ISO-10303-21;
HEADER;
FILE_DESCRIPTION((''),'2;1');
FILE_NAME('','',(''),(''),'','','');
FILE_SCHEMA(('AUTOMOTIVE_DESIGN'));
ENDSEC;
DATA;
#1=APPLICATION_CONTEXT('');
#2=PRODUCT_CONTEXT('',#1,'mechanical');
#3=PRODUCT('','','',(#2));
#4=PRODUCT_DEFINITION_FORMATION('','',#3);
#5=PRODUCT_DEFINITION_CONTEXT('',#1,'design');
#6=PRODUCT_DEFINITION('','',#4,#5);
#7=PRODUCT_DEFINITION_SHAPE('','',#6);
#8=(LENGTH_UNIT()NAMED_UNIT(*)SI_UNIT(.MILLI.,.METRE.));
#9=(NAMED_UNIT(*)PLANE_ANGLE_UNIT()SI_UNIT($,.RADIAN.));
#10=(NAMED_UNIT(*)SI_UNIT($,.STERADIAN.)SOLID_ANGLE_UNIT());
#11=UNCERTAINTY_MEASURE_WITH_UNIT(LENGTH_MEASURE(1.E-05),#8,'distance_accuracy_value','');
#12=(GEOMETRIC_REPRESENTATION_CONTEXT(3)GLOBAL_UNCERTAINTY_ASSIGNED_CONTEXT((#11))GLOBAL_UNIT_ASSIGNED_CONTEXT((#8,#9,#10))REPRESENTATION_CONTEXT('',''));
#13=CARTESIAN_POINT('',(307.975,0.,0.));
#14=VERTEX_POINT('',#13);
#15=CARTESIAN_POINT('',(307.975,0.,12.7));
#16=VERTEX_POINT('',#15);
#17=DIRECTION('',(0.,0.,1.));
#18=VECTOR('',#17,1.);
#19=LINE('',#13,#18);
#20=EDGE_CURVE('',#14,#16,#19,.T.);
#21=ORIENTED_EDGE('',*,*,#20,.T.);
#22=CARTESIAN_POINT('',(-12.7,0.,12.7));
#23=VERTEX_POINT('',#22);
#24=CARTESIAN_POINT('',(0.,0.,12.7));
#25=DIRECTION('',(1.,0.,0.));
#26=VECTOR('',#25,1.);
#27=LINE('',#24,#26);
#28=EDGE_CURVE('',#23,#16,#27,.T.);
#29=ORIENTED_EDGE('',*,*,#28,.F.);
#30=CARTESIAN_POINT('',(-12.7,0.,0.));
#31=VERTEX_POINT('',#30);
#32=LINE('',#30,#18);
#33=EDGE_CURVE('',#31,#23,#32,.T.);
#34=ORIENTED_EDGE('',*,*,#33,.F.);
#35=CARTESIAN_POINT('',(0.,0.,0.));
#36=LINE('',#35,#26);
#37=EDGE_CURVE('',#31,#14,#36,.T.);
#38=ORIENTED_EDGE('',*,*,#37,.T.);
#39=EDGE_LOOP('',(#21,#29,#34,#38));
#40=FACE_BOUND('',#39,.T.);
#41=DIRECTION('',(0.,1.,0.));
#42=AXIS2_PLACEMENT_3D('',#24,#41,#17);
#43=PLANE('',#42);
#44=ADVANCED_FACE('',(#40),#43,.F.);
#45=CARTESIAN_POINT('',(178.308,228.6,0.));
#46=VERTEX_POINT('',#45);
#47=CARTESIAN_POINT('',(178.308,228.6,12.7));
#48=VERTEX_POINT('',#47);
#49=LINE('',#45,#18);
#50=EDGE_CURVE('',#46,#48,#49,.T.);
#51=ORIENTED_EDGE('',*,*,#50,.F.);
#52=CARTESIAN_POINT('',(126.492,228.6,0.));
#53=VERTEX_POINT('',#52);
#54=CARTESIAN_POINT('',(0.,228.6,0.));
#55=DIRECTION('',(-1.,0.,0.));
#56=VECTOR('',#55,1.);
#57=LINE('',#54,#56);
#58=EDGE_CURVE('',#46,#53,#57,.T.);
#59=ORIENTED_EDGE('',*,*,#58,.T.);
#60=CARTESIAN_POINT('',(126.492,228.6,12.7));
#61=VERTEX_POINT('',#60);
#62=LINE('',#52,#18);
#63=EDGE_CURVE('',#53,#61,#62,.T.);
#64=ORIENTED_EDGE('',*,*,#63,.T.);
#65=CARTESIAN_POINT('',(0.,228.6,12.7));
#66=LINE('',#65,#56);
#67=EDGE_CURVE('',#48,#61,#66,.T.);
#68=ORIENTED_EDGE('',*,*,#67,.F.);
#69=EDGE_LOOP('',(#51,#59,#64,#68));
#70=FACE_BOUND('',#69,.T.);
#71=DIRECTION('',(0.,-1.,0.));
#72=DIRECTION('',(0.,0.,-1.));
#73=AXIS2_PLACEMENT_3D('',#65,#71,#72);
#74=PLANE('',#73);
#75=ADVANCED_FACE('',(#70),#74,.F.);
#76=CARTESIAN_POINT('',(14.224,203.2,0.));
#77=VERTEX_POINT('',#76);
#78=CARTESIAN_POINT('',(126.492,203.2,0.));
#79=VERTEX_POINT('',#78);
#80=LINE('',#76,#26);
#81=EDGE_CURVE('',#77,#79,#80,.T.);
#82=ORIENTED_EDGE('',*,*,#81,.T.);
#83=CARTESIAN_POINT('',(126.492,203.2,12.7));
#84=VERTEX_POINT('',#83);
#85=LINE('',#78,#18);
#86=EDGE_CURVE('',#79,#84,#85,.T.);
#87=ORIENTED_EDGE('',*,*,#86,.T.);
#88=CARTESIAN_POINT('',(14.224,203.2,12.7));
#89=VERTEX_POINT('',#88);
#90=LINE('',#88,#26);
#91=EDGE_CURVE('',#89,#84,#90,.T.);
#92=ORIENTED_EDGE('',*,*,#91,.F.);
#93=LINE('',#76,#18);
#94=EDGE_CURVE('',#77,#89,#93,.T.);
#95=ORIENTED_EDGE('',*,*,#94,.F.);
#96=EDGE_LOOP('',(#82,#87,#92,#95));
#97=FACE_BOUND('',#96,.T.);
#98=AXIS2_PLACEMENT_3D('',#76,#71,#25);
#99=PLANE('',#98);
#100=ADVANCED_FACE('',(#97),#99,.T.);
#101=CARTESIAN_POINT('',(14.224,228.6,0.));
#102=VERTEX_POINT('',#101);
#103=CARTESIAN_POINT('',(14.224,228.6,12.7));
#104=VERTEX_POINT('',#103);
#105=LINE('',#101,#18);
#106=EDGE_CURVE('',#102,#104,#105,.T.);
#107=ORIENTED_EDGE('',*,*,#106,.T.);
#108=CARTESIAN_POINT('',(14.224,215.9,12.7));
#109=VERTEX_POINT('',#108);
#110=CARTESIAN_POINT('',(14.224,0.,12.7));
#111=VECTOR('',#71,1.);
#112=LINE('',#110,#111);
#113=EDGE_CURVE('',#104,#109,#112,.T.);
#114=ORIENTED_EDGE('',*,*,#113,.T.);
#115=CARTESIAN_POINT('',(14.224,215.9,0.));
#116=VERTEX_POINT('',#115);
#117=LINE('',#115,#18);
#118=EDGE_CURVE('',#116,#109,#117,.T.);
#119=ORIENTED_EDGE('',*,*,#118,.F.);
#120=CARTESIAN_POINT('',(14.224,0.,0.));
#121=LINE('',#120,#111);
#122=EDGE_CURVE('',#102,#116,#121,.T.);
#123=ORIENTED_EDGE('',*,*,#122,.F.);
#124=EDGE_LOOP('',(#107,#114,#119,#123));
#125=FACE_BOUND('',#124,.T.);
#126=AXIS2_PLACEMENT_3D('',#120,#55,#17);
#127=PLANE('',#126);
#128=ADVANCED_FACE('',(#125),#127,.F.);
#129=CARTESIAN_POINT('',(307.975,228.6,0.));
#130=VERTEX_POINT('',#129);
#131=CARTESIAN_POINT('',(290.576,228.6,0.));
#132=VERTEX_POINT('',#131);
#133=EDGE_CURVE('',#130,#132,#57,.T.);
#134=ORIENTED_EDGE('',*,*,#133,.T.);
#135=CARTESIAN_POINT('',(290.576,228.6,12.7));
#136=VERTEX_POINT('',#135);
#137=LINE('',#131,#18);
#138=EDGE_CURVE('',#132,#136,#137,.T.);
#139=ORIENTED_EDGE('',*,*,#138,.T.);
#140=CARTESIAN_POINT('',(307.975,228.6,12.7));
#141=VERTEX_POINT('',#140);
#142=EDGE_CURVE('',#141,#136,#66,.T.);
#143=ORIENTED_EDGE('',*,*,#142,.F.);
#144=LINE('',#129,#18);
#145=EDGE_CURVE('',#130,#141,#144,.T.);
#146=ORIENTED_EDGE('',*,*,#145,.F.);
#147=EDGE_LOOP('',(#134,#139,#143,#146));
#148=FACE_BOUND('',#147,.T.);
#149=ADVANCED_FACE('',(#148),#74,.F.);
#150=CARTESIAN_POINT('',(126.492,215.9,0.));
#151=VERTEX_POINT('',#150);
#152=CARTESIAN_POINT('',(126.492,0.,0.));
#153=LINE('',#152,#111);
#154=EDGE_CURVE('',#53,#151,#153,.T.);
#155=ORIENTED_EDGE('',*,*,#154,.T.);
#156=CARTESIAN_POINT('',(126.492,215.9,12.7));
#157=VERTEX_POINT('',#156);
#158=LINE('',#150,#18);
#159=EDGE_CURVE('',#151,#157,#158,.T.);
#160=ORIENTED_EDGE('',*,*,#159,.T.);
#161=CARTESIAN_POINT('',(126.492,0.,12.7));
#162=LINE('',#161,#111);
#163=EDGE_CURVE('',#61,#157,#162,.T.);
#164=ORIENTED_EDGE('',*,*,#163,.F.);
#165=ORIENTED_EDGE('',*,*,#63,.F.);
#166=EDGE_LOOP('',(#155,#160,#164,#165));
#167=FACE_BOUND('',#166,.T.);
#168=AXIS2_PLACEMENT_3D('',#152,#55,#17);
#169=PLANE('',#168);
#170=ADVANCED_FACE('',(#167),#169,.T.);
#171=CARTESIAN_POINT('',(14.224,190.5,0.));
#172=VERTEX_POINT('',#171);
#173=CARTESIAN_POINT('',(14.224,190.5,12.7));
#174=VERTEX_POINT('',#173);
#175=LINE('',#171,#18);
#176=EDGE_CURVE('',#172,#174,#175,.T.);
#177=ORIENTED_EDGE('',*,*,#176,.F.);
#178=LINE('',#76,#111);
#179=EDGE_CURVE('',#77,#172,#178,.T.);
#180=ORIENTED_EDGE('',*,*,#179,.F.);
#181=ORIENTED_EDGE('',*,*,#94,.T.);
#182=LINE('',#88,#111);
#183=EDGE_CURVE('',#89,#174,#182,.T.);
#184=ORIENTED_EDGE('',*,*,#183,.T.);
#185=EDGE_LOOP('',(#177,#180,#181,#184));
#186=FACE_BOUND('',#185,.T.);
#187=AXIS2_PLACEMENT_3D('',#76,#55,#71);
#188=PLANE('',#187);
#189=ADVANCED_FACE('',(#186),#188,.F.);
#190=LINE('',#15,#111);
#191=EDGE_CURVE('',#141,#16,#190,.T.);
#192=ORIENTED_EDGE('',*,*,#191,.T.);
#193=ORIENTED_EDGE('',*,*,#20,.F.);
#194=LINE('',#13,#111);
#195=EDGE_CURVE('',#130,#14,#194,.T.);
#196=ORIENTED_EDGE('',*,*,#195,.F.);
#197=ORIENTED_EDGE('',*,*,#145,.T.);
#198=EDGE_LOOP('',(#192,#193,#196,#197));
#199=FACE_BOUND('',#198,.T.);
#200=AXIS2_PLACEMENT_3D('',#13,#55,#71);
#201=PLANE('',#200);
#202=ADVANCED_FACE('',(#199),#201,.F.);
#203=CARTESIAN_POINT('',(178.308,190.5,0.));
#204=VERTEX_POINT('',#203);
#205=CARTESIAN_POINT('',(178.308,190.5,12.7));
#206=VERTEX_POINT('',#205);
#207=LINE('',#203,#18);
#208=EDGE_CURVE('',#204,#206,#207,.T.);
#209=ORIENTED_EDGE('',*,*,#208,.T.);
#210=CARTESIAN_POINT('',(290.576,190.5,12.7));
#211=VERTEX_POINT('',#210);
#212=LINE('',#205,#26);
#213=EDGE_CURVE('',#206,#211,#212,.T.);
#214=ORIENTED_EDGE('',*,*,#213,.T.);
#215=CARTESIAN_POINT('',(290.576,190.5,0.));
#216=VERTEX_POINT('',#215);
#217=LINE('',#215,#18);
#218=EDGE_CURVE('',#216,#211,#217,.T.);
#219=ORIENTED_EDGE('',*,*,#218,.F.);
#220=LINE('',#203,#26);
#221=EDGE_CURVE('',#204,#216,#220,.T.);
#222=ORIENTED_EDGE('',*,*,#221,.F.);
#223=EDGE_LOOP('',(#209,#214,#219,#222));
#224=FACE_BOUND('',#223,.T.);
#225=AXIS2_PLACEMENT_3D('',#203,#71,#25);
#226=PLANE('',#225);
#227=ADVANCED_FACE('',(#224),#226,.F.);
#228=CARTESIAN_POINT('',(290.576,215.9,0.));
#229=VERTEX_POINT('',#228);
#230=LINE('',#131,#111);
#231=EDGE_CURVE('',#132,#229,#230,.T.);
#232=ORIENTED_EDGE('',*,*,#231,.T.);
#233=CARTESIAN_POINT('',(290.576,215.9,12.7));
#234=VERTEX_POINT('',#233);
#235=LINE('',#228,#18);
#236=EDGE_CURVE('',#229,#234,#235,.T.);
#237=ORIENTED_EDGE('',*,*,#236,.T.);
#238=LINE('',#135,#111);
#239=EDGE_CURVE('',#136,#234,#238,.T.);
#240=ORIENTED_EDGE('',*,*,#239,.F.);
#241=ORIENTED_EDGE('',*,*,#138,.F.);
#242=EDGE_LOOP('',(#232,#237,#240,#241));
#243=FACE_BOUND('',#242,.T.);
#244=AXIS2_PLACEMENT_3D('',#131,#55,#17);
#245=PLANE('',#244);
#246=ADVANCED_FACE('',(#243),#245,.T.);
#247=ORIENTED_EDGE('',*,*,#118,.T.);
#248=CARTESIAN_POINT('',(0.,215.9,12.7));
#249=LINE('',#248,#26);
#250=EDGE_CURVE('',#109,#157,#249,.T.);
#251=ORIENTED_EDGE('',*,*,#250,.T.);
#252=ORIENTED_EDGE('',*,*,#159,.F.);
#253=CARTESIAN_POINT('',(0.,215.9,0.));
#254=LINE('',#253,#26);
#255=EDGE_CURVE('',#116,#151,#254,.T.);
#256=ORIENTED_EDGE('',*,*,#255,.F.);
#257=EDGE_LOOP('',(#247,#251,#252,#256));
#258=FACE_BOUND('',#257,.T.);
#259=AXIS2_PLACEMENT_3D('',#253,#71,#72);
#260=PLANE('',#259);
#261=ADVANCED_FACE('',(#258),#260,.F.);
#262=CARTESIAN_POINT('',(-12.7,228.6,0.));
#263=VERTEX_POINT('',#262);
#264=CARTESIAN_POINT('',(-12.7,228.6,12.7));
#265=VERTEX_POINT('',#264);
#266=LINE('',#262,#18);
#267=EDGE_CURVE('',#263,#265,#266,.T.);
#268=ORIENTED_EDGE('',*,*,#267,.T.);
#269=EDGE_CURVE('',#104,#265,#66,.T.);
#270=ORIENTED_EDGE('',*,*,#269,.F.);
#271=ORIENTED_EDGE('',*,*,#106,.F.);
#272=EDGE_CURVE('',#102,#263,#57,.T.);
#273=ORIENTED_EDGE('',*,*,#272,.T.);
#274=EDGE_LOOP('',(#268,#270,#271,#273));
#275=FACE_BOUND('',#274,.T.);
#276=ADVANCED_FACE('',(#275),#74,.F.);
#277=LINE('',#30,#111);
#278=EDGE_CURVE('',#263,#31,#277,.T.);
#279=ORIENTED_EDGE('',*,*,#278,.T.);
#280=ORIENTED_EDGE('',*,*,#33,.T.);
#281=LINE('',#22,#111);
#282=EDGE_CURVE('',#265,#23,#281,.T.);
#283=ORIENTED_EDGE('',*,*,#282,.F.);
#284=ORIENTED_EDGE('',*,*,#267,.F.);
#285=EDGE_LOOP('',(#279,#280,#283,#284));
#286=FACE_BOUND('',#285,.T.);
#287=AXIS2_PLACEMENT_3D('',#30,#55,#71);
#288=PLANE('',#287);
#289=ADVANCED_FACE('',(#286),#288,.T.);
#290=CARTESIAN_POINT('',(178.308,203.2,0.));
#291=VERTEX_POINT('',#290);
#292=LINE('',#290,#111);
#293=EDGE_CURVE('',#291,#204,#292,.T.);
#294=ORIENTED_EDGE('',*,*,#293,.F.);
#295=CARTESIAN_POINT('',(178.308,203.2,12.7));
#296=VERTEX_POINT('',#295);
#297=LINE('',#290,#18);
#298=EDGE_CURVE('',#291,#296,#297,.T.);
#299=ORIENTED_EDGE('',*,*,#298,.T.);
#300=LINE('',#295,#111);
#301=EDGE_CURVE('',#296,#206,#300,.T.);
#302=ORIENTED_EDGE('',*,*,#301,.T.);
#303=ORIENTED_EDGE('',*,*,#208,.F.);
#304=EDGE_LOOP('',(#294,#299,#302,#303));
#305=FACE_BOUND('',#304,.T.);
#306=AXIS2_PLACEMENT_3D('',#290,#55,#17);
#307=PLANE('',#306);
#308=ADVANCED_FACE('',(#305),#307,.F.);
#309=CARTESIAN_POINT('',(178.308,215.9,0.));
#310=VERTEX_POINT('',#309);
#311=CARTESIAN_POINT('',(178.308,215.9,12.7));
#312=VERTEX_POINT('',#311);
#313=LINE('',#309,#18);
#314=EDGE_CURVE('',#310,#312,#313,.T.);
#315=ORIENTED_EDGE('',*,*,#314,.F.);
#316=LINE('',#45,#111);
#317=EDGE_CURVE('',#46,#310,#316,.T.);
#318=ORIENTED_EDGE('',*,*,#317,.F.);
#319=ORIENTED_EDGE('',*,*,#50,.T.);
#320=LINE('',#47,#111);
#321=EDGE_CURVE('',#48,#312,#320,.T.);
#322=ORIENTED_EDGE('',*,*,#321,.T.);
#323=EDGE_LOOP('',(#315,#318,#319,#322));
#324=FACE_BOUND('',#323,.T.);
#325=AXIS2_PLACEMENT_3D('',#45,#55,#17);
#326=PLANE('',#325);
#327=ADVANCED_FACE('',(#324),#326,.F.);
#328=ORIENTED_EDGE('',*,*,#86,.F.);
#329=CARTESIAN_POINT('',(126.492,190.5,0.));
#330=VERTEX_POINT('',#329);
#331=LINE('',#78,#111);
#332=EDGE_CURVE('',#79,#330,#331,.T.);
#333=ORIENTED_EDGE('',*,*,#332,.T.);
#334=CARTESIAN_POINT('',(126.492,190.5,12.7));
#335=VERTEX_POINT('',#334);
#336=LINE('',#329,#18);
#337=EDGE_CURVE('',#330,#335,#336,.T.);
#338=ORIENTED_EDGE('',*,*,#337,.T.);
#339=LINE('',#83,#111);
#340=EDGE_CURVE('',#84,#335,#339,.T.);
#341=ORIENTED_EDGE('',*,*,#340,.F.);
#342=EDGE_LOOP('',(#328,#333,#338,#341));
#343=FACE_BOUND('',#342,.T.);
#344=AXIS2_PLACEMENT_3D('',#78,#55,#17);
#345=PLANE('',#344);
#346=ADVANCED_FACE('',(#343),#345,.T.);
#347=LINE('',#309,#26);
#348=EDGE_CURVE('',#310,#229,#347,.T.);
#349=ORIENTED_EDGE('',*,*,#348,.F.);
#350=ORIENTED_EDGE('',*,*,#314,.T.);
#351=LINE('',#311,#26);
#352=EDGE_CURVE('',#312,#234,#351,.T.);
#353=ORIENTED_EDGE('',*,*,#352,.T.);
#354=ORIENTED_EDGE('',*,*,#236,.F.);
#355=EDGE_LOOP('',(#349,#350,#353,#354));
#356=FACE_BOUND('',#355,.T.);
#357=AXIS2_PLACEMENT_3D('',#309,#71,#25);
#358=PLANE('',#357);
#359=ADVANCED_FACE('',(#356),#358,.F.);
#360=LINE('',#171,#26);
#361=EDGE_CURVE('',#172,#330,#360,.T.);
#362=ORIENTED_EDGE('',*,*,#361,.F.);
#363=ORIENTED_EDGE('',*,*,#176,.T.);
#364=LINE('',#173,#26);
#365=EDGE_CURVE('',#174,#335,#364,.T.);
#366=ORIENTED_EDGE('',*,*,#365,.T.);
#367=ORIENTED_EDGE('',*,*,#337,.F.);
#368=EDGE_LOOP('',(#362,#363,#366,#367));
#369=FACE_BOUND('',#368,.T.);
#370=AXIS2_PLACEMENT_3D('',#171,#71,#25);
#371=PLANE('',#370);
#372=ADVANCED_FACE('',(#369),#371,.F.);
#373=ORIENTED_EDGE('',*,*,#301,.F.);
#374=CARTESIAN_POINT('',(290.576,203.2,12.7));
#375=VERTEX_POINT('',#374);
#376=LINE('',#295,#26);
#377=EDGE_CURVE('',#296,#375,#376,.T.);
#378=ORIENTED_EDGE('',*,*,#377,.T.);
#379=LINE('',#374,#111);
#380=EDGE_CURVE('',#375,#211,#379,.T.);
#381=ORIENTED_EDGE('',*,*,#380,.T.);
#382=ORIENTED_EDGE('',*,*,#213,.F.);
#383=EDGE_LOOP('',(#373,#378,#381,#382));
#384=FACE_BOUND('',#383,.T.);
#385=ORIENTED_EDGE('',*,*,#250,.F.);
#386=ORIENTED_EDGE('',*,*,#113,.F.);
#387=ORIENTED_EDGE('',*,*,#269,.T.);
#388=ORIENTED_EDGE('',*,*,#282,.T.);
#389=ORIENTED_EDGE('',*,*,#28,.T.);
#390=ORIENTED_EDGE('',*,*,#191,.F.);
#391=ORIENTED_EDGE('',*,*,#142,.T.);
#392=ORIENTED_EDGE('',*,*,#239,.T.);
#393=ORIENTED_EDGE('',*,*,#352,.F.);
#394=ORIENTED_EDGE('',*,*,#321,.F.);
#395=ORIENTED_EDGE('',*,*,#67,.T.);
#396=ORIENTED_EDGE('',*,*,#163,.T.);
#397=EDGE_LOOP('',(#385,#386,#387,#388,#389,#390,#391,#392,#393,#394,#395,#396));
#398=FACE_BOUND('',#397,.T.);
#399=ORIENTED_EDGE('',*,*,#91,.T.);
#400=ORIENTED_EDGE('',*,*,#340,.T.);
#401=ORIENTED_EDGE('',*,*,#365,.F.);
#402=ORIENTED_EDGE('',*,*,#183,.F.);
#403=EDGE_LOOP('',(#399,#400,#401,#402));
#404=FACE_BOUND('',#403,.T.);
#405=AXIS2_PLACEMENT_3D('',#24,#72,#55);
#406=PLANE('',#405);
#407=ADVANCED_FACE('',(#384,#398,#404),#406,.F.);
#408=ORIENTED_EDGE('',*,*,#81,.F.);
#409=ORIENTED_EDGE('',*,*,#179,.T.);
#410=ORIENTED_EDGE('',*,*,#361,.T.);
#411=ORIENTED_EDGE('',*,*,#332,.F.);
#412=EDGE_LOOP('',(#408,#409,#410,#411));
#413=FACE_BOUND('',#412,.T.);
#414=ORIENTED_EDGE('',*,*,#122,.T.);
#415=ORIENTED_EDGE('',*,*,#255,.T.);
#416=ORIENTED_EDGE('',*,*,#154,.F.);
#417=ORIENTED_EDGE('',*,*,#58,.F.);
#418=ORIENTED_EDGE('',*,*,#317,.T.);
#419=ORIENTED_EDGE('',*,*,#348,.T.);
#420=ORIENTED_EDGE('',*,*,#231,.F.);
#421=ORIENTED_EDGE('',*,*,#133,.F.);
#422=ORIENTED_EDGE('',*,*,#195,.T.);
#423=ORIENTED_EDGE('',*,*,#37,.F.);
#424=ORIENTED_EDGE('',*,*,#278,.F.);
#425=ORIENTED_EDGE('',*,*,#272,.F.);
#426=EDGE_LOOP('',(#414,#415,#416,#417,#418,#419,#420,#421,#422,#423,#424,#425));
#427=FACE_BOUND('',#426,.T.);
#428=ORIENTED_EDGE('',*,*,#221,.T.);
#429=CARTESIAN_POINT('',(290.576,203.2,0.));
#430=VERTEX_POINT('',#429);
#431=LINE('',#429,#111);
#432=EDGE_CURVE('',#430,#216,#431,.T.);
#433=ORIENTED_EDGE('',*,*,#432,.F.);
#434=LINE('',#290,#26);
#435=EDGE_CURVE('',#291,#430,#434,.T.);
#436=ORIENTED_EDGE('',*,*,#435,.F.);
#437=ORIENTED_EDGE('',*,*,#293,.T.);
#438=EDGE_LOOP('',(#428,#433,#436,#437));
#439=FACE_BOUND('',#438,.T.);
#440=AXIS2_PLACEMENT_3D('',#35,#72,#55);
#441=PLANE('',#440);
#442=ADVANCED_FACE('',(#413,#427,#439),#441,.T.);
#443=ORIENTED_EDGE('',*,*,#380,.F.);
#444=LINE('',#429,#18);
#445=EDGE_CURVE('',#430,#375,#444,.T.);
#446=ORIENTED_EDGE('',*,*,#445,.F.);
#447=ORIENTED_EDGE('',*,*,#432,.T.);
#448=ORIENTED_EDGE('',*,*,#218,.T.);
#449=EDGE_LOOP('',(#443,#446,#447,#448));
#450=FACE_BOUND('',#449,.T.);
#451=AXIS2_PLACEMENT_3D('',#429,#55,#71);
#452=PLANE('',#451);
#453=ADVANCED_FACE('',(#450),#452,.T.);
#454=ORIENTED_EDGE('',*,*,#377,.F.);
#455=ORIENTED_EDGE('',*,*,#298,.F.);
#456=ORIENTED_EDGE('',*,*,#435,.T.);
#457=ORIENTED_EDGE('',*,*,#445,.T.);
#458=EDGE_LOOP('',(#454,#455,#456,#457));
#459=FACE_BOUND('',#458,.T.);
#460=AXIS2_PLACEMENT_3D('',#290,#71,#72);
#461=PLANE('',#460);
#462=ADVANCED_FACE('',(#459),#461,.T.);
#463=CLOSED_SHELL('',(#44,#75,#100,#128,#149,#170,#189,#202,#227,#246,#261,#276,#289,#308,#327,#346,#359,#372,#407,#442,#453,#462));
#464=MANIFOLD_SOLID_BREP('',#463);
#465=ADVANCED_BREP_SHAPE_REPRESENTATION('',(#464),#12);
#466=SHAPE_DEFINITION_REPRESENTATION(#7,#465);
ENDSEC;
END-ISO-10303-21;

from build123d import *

# Parameters (mm, degrees)
SKETCH1_W           = 304.8
SKETCH1_H           = 228.6
BOSS_EXTRUDE1_DEPTH = 12.7
SKETCH7_W           = 112.268
SKETCH7_H           = 12.7
CUT_EXTRUDE2_DEPTH  = 12.7
SKETCH8_W           = 12.7
SKETCH8_H           = 228.6
SKETCH8_W_2         = 3.175
BOSS_EXTRUDE2_DEPTH = 12.7


with BuildPart() as part:
    # Sketch1 → Boss-Extrude1 (new body)
    with BuildSketch(Plane.XY):
        with Locations((152.4, 114.3)):
            Rectangle(SKETCH1_W, SKETCH1_H)
    extrude(amount=BOSS_EXTRUDE1_DEPTH)

    # Sketch7 → Cut-Extrude2 (cut)
    with BuildSketch(Plane.XY.offset(12.7)):
        with Locations((70.358, 222.25)):
            Rectangle(SKETCH7_W, SKETCH7_H)
        with Locations((234.442, 222.25)):
            Rectangle(SKETCH7_W, SKETCH7_H)
        with Locations((70.358, 196.85)):
            Rectangle(SKETCH7_W, SKETCH7_H)
        with Locations((234.442, 196.85)):
            Rectangle(SKETCH7_W, SKETCH7_H)
    extrude(amount=-CUT_EXTRUDE2_DEPTH, mode=Mode.SUBTRACT)

    # Sketch8 → Boss-Extrude2 (add)
    with BuildSketch(Plane.XY.offset(12.7)):
        with Locations((-6.35, 114.3)):
            Rectangle(SKETCH8_W, SKETCH8_H)
        with Locations((306.3875, 114.3)):
            Rectangle(SKETCH8_W_2, SKETCH8_H)
    extrude(amount=-BOSS_EXTRUDE2_DEPTH)


solid = part.part
